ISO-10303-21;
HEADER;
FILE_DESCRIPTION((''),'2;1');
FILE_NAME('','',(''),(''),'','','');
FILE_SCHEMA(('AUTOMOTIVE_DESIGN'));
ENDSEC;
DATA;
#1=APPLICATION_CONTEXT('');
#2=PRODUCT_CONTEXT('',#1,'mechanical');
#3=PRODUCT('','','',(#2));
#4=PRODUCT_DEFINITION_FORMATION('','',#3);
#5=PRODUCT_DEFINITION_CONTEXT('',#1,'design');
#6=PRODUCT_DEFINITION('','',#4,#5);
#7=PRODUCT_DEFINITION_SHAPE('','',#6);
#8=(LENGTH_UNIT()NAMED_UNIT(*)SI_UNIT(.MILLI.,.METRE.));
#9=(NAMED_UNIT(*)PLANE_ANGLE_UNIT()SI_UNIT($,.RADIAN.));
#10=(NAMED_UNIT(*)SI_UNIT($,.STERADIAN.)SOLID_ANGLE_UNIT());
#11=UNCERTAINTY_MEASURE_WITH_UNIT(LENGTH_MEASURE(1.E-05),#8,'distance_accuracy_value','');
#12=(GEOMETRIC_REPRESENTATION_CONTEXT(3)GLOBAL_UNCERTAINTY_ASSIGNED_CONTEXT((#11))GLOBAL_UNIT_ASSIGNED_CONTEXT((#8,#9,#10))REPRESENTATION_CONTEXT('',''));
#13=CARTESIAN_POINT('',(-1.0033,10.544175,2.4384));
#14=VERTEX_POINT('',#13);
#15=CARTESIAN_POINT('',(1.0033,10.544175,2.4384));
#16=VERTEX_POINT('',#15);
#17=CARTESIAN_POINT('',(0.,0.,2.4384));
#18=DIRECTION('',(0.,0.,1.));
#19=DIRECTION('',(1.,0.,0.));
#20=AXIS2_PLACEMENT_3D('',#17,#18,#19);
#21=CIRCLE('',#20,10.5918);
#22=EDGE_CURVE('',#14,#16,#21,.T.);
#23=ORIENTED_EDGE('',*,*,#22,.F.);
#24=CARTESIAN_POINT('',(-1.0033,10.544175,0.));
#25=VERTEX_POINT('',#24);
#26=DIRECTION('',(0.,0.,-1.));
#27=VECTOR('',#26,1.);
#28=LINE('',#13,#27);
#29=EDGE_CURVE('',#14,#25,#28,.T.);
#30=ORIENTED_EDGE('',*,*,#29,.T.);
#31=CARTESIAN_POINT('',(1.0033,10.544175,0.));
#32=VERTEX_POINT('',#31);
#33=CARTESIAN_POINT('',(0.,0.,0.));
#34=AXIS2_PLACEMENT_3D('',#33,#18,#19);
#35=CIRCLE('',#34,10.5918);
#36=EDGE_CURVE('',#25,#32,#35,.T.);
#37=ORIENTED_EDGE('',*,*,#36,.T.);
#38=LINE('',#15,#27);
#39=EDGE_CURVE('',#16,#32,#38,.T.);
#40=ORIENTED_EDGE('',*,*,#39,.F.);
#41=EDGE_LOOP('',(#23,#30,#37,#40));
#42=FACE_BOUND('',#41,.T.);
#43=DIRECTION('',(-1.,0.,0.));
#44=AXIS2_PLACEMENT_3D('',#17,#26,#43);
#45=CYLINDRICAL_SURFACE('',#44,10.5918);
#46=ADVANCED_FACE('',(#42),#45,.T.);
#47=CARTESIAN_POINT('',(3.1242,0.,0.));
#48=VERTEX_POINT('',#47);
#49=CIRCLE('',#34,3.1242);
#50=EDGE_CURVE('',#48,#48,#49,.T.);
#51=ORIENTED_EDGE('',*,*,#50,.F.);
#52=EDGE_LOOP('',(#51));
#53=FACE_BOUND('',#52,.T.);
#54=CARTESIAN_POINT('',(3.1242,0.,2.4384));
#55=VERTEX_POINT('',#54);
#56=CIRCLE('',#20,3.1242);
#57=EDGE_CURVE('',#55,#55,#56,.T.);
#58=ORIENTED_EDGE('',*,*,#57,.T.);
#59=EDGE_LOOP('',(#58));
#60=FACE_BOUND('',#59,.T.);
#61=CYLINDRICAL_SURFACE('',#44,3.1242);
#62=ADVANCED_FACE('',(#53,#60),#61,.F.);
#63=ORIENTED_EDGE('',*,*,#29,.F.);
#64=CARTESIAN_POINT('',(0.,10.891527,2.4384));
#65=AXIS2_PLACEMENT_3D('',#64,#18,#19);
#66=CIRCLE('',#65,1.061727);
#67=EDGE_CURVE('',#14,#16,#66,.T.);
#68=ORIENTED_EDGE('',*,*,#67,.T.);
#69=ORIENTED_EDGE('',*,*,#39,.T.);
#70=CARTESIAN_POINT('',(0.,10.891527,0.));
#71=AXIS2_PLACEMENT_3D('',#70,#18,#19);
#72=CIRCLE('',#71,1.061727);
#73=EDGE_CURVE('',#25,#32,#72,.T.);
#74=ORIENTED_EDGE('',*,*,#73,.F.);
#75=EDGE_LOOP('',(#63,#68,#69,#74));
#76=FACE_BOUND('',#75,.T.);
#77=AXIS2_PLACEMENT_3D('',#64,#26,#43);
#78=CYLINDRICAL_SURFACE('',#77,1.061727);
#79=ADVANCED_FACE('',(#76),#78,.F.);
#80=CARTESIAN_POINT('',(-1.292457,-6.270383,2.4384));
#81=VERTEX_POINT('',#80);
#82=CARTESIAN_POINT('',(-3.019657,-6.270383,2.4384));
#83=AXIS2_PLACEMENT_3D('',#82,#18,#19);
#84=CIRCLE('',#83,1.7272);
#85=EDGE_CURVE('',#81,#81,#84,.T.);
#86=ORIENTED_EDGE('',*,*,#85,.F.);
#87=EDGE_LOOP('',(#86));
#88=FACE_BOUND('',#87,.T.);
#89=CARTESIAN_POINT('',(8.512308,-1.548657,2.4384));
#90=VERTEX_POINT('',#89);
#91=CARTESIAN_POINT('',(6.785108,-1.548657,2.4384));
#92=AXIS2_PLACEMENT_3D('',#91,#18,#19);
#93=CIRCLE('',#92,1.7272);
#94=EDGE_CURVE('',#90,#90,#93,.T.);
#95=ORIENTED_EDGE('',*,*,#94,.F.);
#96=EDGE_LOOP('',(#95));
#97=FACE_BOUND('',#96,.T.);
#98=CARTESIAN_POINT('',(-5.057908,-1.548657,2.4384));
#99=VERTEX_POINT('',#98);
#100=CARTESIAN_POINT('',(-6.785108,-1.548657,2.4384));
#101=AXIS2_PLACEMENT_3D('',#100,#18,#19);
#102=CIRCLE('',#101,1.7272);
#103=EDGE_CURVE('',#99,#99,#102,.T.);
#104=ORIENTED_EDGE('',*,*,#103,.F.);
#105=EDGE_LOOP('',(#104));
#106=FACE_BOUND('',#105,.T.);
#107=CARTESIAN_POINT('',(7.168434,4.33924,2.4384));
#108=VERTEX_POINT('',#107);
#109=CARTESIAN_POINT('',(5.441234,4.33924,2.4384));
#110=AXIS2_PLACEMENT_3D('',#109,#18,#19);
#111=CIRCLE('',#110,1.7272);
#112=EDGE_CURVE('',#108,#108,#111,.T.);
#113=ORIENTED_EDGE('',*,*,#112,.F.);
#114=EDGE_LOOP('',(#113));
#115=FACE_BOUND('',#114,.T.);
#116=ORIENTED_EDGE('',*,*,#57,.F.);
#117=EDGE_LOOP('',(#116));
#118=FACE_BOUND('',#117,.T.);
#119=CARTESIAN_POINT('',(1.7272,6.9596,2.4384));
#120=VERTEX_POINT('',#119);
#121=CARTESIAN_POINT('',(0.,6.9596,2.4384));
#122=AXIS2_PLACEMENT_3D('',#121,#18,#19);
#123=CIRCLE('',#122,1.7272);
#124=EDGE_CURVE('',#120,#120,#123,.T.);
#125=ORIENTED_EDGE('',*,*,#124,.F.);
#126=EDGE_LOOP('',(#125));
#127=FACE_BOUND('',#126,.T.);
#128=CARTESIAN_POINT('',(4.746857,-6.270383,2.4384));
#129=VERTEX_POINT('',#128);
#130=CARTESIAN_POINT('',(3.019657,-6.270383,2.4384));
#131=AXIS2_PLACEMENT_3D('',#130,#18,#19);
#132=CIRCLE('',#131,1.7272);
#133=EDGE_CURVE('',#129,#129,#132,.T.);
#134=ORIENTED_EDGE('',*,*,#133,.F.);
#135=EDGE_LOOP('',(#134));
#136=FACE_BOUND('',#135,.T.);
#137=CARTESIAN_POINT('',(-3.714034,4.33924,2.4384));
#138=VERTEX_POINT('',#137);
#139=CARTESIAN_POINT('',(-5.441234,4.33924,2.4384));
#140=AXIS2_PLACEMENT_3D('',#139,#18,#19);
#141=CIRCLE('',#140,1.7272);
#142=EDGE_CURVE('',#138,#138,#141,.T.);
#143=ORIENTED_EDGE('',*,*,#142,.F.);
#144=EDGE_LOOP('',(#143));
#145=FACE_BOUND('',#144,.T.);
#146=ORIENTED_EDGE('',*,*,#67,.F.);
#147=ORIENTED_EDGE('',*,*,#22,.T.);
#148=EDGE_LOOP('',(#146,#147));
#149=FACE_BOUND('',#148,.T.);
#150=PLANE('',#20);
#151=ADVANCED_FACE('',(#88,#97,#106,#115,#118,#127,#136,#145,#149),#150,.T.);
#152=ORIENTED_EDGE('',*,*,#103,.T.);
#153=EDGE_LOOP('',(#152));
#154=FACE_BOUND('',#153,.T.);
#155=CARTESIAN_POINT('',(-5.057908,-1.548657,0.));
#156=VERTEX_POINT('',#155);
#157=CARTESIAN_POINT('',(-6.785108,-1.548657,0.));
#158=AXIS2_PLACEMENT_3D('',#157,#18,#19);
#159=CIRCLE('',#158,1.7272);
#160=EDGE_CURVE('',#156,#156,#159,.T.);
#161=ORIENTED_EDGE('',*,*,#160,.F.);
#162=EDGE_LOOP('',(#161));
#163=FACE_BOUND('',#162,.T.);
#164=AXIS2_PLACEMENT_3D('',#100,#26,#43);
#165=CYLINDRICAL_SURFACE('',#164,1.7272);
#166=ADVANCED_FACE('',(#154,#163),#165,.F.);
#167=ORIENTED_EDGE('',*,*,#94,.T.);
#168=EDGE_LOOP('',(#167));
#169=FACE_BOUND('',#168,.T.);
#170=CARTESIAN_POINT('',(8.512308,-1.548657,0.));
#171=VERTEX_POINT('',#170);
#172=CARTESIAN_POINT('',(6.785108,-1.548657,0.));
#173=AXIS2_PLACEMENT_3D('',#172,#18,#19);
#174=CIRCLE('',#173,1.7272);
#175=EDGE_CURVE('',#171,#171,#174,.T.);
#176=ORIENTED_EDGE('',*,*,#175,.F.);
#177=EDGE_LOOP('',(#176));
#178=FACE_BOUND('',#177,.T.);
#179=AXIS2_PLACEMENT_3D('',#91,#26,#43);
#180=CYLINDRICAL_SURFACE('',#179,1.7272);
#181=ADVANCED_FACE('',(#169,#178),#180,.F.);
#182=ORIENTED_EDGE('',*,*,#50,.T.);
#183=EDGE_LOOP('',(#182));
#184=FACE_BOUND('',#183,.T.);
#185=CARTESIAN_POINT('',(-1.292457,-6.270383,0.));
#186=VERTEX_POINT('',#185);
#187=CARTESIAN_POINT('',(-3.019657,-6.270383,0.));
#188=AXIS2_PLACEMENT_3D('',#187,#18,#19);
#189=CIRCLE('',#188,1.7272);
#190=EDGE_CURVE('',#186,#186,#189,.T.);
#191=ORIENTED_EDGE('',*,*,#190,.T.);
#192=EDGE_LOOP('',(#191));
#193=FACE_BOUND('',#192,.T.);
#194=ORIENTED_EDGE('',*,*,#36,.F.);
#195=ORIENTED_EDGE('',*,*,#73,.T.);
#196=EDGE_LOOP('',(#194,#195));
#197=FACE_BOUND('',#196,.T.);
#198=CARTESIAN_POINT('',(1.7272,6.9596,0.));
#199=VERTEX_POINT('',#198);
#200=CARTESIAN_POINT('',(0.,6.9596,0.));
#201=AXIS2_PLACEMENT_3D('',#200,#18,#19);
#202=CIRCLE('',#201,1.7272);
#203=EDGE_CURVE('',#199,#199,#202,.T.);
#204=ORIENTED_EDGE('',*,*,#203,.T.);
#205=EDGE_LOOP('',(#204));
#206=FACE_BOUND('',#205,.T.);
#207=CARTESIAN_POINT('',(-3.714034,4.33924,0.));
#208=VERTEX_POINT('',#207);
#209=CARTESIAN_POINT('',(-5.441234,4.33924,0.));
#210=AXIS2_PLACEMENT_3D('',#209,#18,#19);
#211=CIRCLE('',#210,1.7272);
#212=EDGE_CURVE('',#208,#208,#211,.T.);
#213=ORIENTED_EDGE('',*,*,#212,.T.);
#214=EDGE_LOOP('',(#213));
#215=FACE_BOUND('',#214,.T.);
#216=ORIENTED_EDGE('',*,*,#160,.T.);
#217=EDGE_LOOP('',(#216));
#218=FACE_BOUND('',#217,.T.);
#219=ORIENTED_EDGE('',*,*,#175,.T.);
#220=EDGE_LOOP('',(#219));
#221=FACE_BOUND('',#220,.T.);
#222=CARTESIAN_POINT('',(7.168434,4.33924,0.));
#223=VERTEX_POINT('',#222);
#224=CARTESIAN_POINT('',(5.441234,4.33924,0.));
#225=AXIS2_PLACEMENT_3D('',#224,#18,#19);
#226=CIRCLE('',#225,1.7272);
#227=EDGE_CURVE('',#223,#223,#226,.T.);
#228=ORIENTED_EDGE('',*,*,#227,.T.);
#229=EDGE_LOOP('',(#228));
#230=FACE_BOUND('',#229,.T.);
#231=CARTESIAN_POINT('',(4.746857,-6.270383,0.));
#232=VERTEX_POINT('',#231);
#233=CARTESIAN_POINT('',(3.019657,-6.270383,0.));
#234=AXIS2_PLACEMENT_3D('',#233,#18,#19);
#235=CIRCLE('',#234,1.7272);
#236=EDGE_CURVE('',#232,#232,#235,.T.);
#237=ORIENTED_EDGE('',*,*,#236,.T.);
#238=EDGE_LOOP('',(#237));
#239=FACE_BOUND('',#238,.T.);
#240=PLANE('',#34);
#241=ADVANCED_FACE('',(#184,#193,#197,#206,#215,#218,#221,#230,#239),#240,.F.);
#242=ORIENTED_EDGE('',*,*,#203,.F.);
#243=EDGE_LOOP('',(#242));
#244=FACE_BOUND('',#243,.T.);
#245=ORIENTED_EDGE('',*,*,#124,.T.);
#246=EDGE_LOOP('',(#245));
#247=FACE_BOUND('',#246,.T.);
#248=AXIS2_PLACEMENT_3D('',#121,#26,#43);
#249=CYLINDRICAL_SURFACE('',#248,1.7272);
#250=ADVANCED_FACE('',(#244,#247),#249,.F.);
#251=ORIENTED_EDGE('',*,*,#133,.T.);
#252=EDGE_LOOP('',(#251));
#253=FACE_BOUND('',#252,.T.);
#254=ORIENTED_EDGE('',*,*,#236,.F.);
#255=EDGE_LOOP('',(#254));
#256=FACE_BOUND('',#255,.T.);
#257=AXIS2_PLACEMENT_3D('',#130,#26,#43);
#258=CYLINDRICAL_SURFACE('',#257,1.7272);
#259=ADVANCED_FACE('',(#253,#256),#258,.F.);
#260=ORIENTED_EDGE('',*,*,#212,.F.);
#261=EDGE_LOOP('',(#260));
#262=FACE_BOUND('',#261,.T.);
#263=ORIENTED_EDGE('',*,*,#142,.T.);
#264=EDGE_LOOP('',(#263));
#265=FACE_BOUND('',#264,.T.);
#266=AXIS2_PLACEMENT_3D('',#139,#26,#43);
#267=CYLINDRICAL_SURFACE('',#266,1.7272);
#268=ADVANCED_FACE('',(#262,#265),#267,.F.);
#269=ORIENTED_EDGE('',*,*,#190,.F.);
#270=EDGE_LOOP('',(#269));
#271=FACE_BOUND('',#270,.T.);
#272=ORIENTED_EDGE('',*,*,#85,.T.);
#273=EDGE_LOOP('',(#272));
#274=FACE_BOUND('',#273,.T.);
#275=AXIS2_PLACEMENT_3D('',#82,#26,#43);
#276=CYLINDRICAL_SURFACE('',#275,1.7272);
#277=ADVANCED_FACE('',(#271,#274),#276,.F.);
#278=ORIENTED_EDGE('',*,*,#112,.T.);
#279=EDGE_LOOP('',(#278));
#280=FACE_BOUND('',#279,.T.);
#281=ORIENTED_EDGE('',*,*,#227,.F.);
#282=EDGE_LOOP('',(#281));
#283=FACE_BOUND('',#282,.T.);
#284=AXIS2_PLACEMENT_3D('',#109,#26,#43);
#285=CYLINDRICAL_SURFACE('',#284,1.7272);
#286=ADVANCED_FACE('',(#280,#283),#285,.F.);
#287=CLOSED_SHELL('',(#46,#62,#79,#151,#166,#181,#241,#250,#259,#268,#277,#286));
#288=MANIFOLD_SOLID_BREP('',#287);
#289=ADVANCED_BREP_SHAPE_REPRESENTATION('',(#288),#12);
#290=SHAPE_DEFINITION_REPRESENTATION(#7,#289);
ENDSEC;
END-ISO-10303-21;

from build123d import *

# Parameters (mm, degrees)
SKETCH1_R           = 1.7272
SKETCH1_R_2         = 3.1242
BOSS_EXTRUDE1_DEPTH = 2.4384


with BuildPart() as part:
    # Sketch1 → Boss-Extrude1 (new body)
    with BuildSketch(Plane.XY):
        with BuildLine():
            ThreePointArc((-1.0033, 10.544174522), (0, -10.5918), (1.0033, 10.544174522))
            ThreePointArc((1.0033, 10.544174522), (0, 9.8298), (-1.0033, 10.544174522))
        make_face()
        with Locations((0, 6.9596)):
            Circle(SKETCH1_R, mode=Mode.SUBTRACT)
        with Locations((-5.441234385, 4.339239625)):
            Circle(SKETCH1_R, mode=Mode.SUBTRACT)
        with Locations((-6.785108298, -1.548656692)):
            Circle(SKETCH1_R, mode=Mode.SUBTRACT)
        with Locations((-3.019657271, -6.270382933)):
            Circle(SKETCH1_R, mode=Mode.SUBTRACT)
        with Locations((3.019657271, -6.270382933)):
            Circle(SKETCH1_R, mode=Mode.SUBTRACT)
        with Locations((6.785108298, -1.548656692)):
            Circle(SKETCH1_R, mode=Mode.SUBTRACT)
        with Locations((5.441234385, 4.339239625)):
            Circle(SKETCH1_R, mode=Mode.SUBTRACT)
        Circle(SKETCH1_R_2, mode=Mode.SUBTRACT)
    extrude(amount=BOSS_EXTRUDE1_DEPTH)


solid = part.part
